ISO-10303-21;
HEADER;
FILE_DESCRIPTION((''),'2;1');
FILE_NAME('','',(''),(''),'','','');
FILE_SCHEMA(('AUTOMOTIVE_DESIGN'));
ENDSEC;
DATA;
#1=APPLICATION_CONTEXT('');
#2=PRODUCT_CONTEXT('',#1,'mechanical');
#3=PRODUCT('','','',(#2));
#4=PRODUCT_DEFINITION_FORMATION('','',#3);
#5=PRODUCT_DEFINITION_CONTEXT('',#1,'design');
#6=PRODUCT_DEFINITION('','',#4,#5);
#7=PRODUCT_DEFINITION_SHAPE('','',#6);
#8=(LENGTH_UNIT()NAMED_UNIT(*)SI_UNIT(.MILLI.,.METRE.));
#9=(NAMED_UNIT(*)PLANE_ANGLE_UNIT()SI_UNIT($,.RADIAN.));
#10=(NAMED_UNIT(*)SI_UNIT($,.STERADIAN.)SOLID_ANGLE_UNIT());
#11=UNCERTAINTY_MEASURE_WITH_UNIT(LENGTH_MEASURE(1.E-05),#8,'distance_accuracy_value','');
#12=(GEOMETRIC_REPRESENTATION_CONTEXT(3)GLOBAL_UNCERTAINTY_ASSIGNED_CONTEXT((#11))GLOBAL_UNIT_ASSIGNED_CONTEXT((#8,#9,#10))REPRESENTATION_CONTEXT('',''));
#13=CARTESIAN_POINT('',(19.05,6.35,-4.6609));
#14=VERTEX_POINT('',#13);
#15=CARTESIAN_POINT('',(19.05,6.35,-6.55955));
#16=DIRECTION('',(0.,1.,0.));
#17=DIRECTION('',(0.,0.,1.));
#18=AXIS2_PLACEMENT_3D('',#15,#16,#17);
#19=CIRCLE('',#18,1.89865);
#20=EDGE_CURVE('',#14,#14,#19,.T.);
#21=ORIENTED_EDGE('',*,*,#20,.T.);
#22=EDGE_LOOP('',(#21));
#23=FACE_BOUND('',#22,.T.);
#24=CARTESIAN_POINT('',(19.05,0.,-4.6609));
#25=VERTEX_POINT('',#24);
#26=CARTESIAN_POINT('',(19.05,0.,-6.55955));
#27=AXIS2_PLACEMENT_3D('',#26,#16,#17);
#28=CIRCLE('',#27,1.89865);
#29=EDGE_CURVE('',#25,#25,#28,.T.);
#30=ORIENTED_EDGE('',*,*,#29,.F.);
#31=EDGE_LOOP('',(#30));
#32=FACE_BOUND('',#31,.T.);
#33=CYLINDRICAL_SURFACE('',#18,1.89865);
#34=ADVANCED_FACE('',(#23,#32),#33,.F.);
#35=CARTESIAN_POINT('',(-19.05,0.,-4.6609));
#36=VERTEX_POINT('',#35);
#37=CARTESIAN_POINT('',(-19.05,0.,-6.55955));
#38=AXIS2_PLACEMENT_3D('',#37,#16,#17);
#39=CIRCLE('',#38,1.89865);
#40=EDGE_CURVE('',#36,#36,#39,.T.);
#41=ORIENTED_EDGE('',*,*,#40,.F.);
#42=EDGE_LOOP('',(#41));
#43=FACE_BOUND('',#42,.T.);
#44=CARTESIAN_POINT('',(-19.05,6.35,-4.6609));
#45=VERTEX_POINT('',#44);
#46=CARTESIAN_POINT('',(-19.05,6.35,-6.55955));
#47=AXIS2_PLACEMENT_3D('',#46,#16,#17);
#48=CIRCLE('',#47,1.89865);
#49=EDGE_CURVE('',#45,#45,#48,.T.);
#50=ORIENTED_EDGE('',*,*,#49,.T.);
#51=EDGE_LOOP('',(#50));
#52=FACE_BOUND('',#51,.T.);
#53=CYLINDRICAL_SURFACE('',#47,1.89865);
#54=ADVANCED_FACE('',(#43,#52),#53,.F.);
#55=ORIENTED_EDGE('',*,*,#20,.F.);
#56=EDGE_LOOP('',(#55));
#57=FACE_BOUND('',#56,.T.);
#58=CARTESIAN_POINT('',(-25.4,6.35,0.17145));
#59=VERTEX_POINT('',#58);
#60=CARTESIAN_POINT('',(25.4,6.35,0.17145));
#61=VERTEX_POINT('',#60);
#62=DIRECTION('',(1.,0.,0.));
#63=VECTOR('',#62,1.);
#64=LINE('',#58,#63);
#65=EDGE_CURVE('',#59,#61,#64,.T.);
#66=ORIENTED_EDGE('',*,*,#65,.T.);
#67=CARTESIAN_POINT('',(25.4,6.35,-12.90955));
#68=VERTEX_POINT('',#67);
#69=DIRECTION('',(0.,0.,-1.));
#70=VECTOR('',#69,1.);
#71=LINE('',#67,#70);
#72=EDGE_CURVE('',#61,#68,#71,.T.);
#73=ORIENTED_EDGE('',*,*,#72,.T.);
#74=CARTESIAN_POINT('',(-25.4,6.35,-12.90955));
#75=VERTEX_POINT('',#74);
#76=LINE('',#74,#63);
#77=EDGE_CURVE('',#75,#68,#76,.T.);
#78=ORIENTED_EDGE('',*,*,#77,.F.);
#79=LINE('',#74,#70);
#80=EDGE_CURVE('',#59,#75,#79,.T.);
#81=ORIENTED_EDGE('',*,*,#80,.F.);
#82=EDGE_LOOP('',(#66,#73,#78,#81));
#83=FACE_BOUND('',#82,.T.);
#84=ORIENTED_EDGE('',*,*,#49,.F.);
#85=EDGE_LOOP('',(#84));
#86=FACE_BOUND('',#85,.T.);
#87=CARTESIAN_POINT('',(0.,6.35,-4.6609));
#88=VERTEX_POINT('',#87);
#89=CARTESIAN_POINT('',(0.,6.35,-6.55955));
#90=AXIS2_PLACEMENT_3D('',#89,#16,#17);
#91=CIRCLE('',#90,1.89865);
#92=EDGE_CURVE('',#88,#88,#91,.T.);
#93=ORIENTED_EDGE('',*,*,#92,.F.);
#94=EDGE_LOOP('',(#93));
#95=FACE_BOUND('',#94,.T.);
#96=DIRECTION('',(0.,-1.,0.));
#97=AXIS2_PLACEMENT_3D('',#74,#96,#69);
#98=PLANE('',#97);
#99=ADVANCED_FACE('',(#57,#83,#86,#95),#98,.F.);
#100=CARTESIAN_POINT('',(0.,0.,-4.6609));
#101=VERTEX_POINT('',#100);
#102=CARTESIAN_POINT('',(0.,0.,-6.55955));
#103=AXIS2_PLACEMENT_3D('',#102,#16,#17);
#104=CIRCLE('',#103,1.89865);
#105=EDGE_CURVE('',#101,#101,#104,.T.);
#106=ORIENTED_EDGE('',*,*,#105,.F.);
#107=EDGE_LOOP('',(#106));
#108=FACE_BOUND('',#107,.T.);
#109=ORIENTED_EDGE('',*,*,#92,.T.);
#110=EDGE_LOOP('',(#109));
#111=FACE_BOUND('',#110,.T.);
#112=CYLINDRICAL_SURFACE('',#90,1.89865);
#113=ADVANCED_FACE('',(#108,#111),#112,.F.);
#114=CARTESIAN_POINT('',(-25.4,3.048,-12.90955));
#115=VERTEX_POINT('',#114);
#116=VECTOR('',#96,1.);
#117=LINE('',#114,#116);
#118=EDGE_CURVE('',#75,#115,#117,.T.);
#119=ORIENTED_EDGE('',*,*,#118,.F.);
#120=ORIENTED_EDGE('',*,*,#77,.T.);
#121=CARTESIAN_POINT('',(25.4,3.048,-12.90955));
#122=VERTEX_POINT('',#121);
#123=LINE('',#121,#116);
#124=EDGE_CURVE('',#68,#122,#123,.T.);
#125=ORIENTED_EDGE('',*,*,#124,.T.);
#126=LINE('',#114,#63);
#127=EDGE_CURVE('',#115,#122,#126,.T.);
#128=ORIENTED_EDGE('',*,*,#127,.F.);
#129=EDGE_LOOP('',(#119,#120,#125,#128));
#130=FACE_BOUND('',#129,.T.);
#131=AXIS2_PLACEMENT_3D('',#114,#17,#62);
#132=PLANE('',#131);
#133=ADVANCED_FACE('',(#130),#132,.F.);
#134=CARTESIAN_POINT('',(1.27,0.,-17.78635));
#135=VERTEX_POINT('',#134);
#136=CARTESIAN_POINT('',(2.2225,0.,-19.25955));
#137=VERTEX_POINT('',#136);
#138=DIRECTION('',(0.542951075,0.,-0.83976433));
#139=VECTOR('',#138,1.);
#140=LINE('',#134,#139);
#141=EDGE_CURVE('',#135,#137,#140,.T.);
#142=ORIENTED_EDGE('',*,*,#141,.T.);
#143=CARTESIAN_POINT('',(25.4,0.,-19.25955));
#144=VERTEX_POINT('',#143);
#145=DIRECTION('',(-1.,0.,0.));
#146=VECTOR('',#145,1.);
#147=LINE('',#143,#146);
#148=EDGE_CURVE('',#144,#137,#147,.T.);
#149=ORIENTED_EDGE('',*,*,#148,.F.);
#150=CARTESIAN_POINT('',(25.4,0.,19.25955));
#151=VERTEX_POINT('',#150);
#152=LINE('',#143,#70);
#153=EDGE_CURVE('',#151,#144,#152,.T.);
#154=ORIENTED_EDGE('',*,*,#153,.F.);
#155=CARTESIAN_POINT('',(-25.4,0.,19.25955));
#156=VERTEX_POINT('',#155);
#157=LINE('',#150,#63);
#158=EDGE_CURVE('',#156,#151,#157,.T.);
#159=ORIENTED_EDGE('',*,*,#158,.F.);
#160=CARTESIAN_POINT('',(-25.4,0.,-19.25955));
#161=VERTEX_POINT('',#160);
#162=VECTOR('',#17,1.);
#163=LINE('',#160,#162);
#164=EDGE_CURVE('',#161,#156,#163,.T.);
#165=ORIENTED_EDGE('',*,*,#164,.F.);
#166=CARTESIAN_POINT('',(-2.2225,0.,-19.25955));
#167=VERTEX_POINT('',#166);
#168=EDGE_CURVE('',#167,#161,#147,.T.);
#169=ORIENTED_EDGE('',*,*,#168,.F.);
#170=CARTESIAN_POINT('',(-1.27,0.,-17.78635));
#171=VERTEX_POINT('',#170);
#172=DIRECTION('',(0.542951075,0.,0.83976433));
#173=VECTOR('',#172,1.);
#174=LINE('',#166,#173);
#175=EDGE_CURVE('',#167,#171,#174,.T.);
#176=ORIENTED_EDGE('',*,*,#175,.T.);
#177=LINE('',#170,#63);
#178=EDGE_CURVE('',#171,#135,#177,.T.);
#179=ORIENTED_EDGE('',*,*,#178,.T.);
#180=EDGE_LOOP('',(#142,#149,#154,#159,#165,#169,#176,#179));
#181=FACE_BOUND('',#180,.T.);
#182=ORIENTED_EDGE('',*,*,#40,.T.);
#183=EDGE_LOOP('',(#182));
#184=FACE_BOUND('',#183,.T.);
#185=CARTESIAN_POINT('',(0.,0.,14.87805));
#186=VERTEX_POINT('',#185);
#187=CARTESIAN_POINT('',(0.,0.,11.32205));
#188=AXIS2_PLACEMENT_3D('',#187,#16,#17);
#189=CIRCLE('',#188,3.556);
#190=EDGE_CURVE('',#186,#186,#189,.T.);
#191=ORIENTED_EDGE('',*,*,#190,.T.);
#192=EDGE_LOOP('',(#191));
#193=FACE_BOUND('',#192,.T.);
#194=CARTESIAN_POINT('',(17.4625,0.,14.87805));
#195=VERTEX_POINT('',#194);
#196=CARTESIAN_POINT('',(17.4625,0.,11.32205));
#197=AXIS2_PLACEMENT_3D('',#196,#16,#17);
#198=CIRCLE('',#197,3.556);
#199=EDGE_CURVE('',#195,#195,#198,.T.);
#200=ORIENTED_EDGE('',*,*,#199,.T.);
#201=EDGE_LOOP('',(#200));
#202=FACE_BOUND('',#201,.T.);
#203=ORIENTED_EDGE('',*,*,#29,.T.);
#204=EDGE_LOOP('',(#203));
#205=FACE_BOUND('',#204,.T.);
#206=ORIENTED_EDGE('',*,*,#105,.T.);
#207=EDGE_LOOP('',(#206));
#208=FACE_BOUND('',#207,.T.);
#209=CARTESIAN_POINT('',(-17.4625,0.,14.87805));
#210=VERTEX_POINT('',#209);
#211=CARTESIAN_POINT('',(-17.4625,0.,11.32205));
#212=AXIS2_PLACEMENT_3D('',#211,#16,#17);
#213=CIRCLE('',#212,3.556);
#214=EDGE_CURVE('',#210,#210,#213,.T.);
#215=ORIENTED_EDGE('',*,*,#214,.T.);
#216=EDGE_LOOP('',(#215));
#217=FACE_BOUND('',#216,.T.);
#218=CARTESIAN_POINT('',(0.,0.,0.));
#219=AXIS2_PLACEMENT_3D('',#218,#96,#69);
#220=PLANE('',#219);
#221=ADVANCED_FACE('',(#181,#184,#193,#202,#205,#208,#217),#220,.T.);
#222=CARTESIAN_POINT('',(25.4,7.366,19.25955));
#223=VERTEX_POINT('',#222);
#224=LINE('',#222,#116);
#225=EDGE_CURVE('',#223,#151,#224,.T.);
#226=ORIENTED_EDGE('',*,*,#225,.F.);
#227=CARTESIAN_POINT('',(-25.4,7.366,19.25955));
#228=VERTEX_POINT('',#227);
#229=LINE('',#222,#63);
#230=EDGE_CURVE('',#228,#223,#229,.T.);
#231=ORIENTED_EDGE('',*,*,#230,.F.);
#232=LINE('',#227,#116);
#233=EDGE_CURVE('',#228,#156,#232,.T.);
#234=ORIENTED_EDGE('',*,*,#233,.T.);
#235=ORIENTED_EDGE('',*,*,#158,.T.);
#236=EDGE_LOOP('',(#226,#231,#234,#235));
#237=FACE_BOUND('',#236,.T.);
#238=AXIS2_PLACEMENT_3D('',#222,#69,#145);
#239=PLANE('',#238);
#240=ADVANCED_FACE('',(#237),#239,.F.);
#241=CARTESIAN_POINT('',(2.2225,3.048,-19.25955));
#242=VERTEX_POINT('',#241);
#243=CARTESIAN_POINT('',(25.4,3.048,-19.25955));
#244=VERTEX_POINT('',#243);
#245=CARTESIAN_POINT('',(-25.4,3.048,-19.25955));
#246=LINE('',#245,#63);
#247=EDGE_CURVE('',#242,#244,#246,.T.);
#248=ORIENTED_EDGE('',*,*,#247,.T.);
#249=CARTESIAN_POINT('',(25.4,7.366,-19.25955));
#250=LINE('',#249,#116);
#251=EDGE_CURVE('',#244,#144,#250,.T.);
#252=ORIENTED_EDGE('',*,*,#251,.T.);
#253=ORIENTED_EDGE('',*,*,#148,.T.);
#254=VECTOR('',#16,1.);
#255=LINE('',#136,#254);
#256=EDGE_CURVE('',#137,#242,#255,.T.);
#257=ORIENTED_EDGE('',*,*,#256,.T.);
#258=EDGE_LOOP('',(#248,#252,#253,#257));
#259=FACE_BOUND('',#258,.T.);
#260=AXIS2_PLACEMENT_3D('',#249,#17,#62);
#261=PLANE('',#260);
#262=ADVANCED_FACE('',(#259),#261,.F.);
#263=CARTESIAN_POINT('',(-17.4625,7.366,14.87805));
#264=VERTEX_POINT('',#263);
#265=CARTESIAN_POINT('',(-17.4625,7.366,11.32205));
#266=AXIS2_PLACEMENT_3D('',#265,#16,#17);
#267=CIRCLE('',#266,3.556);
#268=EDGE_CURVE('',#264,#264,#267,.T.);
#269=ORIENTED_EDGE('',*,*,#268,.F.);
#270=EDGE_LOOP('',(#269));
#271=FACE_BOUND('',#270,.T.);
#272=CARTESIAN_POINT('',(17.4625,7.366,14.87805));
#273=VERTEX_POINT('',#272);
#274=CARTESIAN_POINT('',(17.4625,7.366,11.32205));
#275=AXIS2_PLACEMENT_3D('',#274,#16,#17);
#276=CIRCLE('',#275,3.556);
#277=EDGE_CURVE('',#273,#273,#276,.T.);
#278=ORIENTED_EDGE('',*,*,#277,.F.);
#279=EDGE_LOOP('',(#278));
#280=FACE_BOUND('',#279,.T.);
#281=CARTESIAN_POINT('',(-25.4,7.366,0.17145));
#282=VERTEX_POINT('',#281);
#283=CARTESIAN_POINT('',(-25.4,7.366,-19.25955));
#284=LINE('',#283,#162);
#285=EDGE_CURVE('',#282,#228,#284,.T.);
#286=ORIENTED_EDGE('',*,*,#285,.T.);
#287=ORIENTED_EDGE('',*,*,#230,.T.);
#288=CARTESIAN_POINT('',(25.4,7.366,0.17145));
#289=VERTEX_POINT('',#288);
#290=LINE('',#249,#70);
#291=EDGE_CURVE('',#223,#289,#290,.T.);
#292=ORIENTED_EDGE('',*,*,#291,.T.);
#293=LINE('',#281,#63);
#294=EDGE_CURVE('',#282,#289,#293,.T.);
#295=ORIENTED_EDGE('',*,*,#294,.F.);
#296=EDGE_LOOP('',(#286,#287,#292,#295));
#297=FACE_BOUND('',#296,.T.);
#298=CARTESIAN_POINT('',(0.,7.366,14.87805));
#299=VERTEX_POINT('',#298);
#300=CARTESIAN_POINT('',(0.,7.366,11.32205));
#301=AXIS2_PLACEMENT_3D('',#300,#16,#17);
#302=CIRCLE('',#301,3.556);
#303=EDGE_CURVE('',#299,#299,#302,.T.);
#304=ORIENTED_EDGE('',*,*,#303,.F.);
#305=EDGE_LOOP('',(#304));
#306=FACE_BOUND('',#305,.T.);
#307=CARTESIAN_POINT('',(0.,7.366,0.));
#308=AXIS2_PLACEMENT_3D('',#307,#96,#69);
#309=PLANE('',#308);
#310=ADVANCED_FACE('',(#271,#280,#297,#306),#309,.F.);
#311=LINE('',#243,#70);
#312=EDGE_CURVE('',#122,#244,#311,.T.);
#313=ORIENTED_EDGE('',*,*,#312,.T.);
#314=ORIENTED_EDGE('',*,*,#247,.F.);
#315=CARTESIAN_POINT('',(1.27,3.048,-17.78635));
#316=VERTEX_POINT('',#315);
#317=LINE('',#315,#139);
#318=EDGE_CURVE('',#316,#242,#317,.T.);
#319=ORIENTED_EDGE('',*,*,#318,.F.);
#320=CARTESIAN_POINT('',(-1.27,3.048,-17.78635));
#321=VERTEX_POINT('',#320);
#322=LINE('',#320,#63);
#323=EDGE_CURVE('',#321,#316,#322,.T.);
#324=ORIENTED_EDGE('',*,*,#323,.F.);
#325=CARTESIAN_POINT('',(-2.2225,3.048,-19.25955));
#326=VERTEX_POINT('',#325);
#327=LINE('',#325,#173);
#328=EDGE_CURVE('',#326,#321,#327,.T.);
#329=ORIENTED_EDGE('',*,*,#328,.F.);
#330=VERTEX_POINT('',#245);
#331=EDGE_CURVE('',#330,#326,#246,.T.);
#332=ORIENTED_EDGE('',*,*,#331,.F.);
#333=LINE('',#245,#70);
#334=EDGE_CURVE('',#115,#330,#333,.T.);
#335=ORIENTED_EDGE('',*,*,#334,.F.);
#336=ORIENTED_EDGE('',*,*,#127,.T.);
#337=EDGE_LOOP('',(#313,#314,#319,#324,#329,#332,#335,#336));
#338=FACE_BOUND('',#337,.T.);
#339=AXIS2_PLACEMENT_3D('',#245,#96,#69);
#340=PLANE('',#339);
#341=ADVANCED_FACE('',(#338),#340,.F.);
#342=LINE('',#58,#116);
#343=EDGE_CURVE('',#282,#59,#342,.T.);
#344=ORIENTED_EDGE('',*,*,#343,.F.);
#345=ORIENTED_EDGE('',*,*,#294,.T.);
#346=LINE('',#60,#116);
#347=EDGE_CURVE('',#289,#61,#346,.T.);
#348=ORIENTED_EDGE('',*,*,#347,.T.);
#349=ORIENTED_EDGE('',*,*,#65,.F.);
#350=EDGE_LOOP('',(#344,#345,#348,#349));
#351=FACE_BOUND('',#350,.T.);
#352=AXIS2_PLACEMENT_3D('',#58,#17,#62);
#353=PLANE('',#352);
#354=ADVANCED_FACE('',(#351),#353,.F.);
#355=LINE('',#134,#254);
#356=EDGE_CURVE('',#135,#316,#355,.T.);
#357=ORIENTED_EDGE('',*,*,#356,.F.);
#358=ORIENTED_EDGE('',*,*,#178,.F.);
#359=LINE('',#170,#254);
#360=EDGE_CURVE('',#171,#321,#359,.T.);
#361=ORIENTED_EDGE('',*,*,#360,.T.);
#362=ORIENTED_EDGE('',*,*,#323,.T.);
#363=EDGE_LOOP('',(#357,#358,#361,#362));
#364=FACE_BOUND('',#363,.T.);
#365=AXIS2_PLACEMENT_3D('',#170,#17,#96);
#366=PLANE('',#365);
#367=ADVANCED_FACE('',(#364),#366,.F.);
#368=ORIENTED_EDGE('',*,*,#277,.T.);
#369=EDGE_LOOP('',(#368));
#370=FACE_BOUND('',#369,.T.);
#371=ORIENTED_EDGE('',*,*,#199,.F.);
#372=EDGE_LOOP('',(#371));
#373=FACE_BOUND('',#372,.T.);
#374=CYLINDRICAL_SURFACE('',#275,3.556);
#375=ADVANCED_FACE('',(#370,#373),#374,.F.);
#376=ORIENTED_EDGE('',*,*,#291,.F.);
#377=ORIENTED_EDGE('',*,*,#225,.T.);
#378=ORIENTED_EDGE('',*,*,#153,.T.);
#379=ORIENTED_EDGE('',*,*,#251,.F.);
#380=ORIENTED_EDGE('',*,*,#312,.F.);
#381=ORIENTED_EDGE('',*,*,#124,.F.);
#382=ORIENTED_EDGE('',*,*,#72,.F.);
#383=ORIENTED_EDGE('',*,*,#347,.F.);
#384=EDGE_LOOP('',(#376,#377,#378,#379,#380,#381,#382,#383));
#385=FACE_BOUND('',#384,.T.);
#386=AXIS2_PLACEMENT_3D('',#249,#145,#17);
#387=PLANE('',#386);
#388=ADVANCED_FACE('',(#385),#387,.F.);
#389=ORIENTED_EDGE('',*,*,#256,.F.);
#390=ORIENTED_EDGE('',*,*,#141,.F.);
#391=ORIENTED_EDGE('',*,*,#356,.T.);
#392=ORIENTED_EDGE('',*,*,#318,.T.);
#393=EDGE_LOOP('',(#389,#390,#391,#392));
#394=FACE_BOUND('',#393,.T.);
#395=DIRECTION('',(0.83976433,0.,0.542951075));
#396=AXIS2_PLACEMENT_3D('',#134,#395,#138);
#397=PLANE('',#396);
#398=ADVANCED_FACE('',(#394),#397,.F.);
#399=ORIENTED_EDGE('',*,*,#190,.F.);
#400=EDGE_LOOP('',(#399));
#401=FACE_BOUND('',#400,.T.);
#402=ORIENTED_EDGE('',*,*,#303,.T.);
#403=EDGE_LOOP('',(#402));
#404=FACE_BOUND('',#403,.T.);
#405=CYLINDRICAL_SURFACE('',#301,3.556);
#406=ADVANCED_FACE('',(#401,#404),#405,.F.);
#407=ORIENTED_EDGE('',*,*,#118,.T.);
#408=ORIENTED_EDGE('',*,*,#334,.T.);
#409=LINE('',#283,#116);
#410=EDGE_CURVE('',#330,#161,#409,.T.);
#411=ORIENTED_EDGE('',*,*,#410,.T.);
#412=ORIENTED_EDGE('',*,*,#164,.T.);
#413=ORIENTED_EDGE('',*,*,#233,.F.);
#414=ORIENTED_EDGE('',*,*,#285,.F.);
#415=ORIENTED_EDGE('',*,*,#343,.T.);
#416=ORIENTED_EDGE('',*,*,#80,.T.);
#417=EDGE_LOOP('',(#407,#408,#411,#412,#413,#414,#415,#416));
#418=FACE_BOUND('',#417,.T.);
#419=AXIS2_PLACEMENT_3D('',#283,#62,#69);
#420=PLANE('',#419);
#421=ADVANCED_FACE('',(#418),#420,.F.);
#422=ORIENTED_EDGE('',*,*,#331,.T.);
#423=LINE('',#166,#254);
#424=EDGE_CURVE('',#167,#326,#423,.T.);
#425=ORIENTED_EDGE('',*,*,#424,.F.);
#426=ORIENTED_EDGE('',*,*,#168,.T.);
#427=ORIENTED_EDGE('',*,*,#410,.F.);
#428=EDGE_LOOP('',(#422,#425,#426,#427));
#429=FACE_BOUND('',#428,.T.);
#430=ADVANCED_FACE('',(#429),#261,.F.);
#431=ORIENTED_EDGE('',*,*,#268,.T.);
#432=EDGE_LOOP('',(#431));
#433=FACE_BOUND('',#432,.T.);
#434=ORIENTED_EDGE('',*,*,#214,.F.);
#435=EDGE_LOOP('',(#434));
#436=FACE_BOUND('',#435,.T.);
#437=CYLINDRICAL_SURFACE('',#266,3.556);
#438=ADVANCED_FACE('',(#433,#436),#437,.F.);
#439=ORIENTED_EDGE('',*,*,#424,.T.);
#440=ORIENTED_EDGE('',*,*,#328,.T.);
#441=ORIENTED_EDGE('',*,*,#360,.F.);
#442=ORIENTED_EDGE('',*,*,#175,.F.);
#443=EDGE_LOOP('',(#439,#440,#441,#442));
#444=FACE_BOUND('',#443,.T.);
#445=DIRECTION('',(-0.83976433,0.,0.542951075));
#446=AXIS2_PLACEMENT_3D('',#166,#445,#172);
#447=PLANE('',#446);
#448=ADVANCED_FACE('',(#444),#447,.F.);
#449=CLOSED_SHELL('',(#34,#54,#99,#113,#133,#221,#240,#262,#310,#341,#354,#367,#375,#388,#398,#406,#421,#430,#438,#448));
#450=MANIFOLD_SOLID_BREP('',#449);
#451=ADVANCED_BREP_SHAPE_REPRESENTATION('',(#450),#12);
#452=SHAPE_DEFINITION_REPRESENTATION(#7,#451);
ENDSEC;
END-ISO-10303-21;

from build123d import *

# Parameters (mm, degrees)
CROQUIS1_W                          = 50.8
CROQUIS1_H                          = 38.5191
SALIENTE_EXTRUIR1_DEPTH             = 7.366
CORTAR_EXTRUIR1_DEPTH               = 55.825434081
TALADROS_DE_ESPIGA_DE_5_16_0_28_1_D = 7.112
CORTAR_EXTRUIR2_DEPTH               = 33.167303123
TALADRO_ROSCADO_10_241_D            = 3.7973


with BuildPart() as part:
    # Croquis1 → Saliente-Extruir1 (new body)
    with BuildSketch(Plane(origin=(0, 0, 0), x_dir=(1, 0, 0), z_dir=(0, 1, 0))):
        Rectangle(CROQUIS1_W, CROQUIS1_H)
    extrude(amount=SALIENTE_EXTRUIR1_DEPTH)

    # Croquis2 → Cortar-Extruir1 (cut, through all)
    with BuildSketch(Plane(origin=(25.4, 0, 0), x_dir=(0, 0, -1), z_dir=(1, 0, 0))):
        Polygon((19.25955, 3.048), (12.90955, 3.048), (12.90955, 6.35), (-0.17145, 6.35), (-0.17145, 7.366), (19.25955, 7.366), align=None)
    extrude(amount=-CORTAR_EXTRUIR1_DEPTH, mode=Mode.SUBTRACT)

    # Taladros de espiga de 5/16 (0.28)1 (through all)
    with Locations(Plane(origin=(0, 7.366, 0), x_dir=(1, 0, 0), z_dir=(0, 1, 0))):
        with Locations((17.4625, -11.32205), (0, -11.32205), (-17.4625, -11.32205)):
            Hole(TALADROS_DE_ESPIGA_DE_5_16_0_28_1_D / 2)

    # Croquis5 → Cortar-Extruir2 (cut, through all)
    with BuildSketch(Plane(origin=(0, 3.048, 0), x_dir=(1, 0, 0), z_dir=(0, 1, 0))):
        Polygon((-2.2225, 19.25955), (-1.27, 17.78635), (1.27, 17.78635), (2.2225, 19.25955), align=None)
    extrude(amount=-CORTAR_EXTRUIR2_DEPTH, mode=Mode.SUBTRACT)

    # Taladro roscado #10-241 (through all)
    with Locations(Plane(origin=(0, 6.35, 0), x_dir=(1, 0, 0), z_dir=(0, 1, 0))):
        with Locations((19.05, 6.55955), (0, 6.55955), (-19.05, 6.55955)):
            Hole(TALADRO_ROSCADO_10_241_D / 2)


solid = part.part
